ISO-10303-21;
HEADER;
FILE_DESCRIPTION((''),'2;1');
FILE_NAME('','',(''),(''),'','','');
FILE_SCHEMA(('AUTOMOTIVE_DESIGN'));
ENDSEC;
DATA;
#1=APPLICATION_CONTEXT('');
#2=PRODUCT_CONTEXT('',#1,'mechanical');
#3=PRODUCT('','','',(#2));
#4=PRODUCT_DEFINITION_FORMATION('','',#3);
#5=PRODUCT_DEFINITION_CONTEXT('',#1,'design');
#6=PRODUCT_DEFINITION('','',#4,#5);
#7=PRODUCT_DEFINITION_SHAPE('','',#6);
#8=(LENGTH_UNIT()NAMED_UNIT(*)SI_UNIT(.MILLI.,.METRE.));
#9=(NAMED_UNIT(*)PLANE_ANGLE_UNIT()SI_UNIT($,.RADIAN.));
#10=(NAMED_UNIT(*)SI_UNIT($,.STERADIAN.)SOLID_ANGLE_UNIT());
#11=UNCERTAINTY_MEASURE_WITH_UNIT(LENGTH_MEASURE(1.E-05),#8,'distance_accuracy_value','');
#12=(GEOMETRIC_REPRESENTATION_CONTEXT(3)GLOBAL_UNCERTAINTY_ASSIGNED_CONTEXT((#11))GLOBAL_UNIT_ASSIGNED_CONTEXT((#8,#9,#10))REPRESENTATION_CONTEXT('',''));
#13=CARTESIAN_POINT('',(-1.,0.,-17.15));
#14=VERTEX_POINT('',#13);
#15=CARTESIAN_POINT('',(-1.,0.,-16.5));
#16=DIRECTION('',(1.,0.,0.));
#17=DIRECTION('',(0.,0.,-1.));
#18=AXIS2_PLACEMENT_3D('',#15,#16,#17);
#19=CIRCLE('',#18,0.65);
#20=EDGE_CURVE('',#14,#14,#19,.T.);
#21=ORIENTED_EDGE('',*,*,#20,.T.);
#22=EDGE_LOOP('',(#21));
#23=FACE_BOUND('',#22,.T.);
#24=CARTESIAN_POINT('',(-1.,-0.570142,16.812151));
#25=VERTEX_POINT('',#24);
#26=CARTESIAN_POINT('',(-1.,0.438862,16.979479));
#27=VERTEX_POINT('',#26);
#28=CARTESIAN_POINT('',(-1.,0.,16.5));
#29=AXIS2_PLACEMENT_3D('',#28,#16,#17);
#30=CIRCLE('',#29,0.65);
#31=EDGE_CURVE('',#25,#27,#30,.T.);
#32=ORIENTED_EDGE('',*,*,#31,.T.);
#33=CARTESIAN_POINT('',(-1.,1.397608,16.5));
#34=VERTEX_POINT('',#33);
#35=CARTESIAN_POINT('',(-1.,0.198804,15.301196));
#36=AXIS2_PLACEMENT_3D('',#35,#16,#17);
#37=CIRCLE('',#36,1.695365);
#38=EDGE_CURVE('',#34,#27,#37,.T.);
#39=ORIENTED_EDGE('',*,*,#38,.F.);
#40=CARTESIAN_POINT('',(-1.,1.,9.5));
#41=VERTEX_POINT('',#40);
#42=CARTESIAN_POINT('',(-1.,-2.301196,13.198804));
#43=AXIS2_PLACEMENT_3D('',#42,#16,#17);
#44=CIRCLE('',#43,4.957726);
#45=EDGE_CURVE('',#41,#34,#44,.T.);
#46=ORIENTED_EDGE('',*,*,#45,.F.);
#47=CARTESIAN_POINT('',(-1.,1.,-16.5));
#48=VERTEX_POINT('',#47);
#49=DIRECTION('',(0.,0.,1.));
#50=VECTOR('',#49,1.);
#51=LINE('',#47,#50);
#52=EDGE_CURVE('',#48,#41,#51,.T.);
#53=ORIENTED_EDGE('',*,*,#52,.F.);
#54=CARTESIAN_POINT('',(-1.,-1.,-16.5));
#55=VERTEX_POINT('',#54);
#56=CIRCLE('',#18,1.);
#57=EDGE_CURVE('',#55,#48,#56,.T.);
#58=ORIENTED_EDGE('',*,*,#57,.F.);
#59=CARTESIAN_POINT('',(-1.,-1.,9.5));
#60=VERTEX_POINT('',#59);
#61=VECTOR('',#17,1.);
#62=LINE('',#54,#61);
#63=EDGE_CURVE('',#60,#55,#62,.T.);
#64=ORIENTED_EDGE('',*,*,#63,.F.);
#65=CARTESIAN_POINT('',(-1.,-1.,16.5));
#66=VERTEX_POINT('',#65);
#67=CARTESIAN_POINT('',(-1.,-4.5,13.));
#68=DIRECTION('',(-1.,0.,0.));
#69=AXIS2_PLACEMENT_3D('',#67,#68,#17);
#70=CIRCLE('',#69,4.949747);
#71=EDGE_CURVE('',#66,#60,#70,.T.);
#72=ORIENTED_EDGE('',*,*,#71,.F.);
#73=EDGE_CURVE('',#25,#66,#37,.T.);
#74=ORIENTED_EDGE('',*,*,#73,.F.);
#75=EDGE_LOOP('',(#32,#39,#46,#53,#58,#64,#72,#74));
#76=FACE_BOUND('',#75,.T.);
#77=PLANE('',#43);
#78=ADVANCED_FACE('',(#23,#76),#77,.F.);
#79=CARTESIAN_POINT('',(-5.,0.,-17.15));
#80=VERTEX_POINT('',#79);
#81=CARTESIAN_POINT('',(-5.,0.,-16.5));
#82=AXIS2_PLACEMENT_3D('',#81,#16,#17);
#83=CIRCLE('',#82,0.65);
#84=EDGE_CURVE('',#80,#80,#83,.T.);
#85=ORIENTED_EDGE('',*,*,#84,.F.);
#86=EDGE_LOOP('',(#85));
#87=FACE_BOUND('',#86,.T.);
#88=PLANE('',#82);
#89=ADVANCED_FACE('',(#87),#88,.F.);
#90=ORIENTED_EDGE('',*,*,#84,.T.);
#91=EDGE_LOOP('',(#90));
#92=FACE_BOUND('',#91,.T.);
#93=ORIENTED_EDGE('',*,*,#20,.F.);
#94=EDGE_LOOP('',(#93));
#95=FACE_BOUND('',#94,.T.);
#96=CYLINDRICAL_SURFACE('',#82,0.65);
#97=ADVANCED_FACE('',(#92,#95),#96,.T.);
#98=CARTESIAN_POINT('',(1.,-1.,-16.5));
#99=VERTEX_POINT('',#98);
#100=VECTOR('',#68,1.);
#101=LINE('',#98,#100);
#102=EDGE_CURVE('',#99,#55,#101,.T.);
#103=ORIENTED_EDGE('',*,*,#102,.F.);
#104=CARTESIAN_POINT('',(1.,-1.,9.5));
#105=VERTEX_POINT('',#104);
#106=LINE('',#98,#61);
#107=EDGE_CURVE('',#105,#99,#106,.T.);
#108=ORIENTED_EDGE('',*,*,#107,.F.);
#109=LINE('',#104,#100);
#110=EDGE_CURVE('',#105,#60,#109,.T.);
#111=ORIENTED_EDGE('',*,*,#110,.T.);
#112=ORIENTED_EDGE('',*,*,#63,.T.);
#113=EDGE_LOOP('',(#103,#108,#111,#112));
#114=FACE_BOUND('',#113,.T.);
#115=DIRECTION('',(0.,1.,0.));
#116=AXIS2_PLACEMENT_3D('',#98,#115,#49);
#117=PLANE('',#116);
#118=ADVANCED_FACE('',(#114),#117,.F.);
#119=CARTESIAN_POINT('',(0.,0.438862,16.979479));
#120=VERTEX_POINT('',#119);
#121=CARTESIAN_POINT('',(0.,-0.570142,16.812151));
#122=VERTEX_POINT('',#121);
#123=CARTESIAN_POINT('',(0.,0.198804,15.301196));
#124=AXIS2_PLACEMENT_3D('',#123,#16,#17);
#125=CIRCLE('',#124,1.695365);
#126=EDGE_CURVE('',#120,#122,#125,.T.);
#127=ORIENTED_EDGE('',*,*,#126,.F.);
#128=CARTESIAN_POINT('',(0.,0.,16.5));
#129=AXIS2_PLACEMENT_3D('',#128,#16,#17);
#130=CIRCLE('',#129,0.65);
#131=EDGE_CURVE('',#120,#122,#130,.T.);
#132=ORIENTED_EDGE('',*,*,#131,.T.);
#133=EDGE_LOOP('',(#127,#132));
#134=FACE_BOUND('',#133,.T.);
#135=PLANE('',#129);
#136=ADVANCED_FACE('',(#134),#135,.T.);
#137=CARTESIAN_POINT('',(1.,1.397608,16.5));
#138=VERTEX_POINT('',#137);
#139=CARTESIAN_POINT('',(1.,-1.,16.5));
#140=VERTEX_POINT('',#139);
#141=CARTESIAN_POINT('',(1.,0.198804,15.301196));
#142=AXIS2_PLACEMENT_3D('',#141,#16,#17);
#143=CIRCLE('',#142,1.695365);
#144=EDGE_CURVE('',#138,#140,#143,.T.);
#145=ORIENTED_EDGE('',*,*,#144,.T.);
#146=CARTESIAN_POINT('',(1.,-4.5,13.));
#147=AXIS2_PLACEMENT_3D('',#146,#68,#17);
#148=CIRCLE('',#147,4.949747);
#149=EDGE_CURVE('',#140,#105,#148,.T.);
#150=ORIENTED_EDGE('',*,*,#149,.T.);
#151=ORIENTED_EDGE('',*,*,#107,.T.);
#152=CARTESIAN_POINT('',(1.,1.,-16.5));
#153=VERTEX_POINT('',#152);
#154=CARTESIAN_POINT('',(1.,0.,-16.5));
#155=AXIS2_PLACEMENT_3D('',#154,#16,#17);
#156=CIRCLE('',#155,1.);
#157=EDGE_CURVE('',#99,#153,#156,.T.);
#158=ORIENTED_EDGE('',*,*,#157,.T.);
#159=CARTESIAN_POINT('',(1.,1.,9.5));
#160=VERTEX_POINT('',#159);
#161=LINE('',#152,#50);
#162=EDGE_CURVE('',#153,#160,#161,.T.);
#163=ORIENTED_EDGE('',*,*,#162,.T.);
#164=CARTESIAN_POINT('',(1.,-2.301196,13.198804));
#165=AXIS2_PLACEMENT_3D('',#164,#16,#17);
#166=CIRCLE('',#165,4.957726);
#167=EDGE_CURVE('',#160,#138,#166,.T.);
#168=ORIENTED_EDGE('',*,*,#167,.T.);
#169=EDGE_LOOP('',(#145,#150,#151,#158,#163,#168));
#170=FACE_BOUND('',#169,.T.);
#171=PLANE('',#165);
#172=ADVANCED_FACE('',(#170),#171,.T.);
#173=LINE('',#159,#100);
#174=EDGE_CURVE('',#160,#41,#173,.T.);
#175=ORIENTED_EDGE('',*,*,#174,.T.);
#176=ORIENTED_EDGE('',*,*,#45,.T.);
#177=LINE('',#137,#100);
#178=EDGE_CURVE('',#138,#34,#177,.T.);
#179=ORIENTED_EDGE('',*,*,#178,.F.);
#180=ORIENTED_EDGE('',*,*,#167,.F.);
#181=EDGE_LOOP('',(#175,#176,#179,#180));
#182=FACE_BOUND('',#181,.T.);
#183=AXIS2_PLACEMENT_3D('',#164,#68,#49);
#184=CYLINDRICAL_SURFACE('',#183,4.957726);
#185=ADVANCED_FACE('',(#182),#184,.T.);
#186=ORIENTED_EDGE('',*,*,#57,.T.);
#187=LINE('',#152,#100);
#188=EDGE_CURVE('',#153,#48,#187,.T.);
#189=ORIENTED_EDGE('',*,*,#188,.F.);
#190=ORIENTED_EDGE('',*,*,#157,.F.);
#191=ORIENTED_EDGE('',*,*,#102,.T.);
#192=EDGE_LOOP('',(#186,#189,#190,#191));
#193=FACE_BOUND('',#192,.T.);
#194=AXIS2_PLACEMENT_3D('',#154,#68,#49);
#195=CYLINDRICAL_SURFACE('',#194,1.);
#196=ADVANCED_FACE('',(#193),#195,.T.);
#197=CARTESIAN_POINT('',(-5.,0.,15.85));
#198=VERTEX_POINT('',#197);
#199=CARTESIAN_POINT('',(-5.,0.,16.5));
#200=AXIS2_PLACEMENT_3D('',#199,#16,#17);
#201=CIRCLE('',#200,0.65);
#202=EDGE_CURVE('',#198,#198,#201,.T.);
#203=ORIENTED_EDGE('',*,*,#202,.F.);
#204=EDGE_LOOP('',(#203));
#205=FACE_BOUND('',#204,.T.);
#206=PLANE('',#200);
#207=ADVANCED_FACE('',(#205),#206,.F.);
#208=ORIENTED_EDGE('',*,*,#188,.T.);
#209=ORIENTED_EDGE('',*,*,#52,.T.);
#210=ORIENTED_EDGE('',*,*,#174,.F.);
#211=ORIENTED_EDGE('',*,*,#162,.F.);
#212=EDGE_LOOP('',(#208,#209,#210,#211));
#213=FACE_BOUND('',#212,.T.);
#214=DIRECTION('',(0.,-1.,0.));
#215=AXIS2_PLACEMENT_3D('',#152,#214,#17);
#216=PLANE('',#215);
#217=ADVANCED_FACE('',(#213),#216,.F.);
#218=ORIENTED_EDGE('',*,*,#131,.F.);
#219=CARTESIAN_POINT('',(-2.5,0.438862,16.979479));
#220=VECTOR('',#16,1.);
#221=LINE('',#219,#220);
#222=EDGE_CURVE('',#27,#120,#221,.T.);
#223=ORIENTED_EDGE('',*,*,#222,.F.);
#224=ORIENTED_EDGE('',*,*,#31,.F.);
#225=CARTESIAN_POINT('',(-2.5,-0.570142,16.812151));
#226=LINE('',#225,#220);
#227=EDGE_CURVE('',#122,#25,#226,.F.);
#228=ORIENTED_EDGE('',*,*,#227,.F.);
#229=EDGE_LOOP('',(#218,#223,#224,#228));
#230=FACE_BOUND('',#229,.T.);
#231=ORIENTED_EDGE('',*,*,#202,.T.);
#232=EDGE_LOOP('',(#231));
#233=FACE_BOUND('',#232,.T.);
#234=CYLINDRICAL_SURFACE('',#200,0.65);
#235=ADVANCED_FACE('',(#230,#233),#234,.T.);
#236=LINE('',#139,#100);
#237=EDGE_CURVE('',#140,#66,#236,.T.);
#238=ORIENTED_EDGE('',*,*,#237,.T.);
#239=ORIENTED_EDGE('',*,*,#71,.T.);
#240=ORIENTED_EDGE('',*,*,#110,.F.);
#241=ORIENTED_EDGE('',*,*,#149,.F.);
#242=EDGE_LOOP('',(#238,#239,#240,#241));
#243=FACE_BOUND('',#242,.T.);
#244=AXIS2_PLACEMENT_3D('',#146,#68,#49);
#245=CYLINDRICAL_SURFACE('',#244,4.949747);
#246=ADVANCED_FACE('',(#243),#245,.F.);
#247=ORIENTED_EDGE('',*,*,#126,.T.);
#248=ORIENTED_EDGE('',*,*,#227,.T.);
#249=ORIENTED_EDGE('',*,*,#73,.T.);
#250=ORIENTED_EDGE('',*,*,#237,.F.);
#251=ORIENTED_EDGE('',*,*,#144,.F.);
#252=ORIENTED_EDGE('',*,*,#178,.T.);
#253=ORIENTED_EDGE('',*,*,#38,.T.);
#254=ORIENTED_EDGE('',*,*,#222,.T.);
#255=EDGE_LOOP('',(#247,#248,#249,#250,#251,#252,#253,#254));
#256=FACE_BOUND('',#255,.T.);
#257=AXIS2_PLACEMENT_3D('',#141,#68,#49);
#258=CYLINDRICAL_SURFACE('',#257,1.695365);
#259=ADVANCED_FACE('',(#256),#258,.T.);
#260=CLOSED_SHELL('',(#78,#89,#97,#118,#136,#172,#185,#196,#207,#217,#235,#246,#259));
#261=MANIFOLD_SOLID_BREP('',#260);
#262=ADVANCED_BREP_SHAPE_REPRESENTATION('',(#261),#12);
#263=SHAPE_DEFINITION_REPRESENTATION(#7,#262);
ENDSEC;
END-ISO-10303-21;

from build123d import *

# Parameters (mm, degrees)
BOSS_EXTRUDE1_DEPTH = 1
SKETCH2_R           = 0.65
BOSS_EXTRUDE2_DEPTH = 5
SKETCH3_R           = 0.65
BOSS_EXTRUDE3_DEPTH = 5


with BuildPart() as part:
    # Sketch1 → Boss-Extrude1 (new, symmetric)
    with BuildSketch(Plane(origin=(0, 0, 0), x_dir=(0, 0, -1), z_dir=(1, 0, 0))):
        with BuildLine():
            Line((16.5, 1), (-9.5, 1))
            ThreePointArc((-9.5, 1), (-12.917652634, 2.648551595), (-16.5, 1.397608254))
            ThreePointArc((-16.5, 1.397608254), (-16.996560928, 0.198804127), (-16.5, -1))
            ThreePointArc((-16.5, -1), (-13, 0.449747468), (-9.5, -1))
            Line((-9.5, -1), (16.5, -1))
            ThreePointArc((16.5, -1), (17.5, 0), (16.5, 1))
        make_face()
    extrude(amount=BOSS_EXTRUDE1_DEPTH, both=True)

    # Sketch2 → Boss-Extrude2 (add)
    with BuildSketch(Plane(origin=(0, 0, 0), x_dir=(0, 0, -1), z_dir=(1, 0, 0))):
        with Locations((-16.5, 0)):
            Circle(SKETCH2_R)
    extrude(amount=-BOSS_EXTRUDE2_DEPTH)

    # Sketch3 → Boss-Extrude3 (add)
    with BuildSketch(Plane(origin=(0, 0, 0), x_dir=(0, 0, -1), z_dir=(1, 0, 0))):
        with Locations((16.5, 0)):
            Circle(SKETCH3_R)
    extrude(amount=-BOSS_EXTRUDE3_DEPTH)


solid = part.part
